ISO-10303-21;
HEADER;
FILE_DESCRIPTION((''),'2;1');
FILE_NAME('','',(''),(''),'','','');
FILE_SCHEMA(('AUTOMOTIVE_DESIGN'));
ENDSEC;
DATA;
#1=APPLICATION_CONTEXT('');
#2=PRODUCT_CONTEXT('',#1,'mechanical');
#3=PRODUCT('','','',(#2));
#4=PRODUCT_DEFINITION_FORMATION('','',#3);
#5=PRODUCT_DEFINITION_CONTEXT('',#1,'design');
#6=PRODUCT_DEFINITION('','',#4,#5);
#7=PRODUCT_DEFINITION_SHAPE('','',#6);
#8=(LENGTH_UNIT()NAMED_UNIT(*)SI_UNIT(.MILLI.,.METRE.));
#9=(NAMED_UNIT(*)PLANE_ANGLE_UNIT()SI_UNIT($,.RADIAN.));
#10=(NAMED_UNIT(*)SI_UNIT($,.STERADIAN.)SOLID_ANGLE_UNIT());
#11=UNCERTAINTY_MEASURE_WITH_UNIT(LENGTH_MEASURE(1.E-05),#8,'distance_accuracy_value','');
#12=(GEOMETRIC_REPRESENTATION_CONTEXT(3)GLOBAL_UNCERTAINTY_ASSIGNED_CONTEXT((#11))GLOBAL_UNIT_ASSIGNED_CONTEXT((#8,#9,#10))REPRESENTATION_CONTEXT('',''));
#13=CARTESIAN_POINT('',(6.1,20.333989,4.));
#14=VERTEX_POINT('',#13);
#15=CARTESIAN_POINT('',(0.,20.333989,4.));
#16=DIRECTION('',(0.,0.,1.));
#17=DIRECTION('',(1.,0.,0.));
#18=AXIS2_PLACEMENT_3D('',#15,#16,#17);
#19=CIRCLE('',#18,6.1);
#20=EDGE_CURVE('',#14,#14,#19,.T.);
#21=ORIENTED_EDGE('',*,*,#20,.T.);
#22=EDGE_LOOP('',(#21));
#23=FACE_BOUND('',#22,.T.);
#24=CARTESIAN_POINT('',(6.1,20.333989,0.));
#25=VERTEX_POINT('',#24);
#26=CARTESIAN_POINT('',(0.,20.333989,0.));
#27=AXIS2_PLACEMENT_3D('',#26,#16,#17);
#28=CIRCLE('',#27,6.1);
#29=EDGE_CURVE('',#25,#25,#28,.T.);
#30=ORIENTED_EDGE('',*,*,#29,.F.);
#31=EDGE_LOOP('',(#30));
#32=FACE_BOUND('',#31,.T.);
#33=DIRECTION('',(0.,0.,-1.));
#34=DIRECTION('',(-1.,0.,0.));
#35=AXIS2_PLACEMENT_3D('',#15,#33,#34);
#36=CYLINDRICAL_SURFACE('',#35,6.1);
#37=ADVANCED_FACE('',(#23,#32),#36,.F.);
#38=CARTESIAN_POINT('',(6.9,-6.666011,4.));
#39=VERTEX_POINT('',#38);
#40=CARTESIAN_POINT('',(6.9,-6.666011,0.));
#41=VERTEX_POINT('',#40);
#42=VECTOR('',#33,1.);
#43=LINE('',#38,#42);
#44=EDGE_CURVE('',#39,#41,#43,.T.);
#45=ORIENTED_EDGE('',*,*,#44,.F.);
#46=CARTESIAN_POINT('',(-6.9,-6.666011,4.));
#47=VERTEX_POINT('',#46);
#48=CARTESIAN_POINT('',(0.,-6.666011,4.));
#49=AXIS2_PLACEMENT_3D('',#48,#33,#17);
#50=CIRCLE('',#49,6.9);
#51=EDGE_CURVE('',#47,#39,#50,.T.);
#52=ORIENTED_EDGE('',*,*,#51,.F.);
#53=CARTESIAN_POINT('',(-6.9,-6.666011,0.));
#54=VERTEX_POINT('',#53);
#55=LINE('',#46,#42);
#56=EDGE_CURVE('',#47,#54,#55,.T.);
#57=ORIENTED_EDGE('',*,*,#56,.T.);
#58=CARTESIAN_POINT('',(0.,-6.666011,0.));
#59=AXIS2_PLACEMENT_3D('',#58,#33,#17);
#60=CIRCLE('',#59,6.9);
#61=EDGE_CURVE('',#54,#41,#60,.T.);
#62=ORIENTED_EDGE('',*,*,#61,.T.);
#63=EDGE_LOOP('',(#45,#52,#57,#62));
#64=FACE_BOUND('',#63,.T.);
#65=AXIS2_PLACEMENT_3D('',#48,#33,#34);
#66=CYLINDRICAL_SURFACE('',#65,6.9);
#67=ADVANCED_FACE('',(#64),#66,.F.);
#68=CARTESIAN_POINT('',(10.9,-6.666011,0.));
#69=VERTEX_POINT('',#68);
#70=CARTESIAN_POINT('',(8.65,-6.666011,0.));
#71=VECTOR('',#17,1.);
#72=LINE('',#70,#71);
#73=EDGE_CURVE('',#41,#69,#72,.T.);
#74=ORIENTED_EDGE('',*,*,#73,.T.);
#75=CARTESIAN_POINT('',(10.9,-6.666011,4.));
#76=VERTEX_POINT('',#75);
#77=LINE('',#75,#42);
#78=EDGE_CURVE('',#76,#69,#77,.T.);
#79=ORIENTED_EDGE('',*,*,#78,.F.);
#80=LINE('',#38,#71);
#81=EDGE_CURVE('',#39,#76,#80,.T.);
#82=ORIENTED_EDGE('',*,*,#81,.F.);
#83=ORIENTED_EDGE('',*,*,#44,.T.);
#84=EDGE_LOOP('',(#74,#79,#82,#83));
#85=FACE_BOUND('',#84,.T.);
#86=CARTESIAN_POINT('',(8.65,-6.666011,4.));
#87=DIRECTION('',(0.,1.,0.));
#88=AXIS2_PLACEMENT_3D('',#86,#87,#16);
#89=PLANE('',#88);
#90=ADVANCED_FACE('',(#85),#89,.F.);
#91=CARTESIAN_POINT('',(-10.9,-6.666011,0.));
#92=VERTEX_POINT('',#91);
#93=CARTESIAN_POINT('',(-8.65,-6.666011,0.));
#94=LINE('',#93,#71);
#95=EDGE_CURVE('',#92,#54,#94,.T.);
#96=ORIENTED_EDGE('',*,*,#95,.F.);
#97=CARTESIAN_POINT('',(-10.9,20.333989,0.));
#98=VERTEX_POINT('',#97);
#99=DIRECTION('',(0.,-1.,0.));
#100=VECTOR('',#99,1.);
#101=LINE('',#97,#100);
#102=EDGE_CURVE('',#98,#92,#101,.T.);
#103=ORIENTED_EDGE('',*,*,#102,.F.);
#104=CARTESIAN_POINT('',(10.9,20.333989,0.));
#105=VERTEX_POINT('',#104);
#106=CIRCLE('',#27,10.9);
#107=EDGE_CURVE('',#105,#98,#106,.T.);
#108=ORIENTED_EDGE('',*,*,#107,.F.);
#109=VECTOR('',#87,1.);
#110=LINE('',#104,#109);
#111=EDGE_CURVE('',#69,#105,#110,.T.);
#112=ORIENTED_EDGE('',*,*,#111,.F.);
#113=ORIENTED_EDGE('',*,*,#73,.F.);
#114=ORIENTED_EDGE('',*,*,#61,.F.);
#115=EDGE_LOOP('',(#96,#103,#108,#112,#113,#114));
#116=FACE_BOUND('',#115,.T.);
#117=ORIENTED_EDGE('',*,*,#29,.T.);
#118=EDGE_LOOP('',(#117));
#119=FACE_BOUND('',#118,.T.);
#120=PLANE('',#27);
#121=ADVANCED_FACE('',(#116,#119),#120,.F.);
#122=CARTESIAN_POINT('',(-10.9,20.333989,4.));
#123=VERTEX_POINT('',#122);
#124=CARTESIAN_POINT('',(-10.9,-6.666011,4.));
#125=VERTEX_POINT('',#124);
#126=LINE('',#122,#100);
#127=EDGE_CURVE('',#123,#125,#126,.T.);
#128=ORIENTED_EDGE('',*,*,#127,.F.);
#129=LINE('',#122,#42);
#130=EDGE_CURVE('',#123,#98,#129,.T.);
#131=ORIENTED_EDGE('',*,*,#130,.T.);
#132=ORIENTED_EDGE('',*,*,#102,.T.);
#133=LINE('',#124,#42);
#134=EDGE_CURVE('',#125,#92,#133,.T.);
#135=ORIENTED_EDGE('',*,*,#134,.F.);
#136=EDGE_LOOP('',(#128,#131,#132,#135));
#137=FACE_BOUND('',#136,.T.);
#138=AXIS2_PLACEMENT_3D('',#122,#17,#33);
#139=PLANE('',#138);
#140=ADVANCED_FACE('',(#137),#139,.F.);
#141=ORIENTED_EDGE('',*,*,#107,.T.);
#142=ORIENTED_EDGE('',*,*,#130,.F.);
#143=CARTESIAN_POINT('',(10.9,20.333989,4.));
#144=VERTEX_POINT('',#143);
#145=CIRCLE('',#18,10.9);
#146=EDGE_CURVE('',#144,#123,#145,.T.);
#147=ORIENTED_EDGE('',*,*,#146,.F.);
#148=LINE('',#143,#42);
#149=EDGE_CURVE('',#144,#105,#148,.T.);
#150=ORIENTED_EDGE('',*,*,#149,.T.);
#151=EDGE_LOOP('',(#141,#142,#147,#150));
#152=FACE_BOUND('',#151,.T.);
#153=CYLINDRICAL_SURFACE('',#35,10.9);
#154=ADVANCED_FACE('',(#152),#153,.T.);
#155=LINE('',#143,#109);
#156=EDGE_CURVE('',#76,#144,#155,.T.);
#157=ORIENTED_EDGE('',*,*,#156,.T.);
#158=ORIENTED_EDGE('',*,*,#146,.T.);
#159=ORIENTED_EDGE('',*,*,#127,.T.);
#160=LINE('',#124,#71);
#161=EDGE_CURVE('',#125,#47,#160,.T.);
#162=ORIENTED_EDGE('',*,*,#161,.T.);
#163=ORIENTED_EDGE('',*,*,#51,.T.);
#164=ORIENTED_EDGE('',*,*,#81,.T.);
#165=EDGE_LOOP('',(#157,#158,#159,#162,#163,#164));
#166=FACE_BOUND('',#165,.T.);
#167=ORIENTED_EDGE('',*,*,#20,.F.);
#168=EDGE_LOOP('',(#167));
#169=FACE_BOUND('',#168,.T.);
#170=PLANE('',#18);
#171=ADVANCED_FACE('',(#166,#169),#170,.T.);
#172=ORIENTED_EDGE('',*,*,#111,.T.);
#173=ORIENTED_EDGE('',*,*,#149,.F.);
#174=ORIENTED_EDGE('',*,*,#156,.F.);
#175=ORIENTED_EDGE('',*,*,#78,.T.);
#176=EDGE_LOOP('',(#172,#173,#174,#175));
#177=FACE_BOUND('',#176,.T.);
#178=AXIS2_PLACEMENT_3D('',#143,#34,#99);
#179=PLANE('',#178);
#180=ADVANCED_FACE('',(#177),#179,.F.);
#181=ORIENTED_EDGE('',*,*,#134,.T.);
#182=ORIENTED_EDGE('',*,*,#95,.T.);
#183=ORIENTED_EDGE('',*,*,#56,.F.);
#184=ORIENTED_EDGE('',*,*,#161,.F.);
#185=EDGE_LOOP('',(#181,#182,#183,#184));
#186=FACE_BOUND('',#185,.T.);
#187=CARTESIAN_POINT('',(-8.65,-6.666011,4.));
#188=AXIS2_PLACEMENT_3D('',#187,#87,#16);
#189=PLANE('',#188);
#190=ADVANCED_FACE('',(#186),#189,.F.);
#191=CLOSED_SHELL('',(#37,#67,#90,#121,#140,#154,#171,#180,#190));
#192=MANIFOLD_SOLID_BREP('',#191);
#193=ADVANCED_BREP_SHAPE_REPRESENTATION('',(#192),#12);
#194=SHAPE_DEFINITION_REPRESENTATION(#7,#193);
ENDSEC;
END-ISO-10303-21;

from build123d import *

# Parameters (mm, degrees)
SKETCH_1_R      = 6.1
EXTRUDE_1_DEPTH = 4


with BuildPart() as part:
    # 스케치1 → 보스-돌출1 (new body)
    with BuildSketch(Plane.XY):
        with BuildLine():
            Line((-10.9, 20.333989173), (-10.9, -6.666010827))
            Line((-10.9, -6.666010827), (-8.65, -6.666010827))
            Line((-8.65, -6.666010827), (-6.9, -6.666010827))
            ThreePointArc((-6.9, -6.666010827), (0, 0.233989173), (6.9, -6.666010827))
            Line((6.9, -6.666010827), (8.65, -6.666010827))
            Line((8.65, -6.666010827), (10.9, -6.666010827))
            Line((10.9, -6.666010827), (10.9, 20.333989173))
            ThreePointArc((10.9, 20.333989173), (0, 31.233989173), (-10.9, 20.333989173))
        make_face()
        with Locations((0, 20.333989173)):
            Circle(SKETCH_1_R, mode=Mode.SUBTRACT)
    extrude(amount=EXTRUDE_1_DEPTH)


solid = part.part
